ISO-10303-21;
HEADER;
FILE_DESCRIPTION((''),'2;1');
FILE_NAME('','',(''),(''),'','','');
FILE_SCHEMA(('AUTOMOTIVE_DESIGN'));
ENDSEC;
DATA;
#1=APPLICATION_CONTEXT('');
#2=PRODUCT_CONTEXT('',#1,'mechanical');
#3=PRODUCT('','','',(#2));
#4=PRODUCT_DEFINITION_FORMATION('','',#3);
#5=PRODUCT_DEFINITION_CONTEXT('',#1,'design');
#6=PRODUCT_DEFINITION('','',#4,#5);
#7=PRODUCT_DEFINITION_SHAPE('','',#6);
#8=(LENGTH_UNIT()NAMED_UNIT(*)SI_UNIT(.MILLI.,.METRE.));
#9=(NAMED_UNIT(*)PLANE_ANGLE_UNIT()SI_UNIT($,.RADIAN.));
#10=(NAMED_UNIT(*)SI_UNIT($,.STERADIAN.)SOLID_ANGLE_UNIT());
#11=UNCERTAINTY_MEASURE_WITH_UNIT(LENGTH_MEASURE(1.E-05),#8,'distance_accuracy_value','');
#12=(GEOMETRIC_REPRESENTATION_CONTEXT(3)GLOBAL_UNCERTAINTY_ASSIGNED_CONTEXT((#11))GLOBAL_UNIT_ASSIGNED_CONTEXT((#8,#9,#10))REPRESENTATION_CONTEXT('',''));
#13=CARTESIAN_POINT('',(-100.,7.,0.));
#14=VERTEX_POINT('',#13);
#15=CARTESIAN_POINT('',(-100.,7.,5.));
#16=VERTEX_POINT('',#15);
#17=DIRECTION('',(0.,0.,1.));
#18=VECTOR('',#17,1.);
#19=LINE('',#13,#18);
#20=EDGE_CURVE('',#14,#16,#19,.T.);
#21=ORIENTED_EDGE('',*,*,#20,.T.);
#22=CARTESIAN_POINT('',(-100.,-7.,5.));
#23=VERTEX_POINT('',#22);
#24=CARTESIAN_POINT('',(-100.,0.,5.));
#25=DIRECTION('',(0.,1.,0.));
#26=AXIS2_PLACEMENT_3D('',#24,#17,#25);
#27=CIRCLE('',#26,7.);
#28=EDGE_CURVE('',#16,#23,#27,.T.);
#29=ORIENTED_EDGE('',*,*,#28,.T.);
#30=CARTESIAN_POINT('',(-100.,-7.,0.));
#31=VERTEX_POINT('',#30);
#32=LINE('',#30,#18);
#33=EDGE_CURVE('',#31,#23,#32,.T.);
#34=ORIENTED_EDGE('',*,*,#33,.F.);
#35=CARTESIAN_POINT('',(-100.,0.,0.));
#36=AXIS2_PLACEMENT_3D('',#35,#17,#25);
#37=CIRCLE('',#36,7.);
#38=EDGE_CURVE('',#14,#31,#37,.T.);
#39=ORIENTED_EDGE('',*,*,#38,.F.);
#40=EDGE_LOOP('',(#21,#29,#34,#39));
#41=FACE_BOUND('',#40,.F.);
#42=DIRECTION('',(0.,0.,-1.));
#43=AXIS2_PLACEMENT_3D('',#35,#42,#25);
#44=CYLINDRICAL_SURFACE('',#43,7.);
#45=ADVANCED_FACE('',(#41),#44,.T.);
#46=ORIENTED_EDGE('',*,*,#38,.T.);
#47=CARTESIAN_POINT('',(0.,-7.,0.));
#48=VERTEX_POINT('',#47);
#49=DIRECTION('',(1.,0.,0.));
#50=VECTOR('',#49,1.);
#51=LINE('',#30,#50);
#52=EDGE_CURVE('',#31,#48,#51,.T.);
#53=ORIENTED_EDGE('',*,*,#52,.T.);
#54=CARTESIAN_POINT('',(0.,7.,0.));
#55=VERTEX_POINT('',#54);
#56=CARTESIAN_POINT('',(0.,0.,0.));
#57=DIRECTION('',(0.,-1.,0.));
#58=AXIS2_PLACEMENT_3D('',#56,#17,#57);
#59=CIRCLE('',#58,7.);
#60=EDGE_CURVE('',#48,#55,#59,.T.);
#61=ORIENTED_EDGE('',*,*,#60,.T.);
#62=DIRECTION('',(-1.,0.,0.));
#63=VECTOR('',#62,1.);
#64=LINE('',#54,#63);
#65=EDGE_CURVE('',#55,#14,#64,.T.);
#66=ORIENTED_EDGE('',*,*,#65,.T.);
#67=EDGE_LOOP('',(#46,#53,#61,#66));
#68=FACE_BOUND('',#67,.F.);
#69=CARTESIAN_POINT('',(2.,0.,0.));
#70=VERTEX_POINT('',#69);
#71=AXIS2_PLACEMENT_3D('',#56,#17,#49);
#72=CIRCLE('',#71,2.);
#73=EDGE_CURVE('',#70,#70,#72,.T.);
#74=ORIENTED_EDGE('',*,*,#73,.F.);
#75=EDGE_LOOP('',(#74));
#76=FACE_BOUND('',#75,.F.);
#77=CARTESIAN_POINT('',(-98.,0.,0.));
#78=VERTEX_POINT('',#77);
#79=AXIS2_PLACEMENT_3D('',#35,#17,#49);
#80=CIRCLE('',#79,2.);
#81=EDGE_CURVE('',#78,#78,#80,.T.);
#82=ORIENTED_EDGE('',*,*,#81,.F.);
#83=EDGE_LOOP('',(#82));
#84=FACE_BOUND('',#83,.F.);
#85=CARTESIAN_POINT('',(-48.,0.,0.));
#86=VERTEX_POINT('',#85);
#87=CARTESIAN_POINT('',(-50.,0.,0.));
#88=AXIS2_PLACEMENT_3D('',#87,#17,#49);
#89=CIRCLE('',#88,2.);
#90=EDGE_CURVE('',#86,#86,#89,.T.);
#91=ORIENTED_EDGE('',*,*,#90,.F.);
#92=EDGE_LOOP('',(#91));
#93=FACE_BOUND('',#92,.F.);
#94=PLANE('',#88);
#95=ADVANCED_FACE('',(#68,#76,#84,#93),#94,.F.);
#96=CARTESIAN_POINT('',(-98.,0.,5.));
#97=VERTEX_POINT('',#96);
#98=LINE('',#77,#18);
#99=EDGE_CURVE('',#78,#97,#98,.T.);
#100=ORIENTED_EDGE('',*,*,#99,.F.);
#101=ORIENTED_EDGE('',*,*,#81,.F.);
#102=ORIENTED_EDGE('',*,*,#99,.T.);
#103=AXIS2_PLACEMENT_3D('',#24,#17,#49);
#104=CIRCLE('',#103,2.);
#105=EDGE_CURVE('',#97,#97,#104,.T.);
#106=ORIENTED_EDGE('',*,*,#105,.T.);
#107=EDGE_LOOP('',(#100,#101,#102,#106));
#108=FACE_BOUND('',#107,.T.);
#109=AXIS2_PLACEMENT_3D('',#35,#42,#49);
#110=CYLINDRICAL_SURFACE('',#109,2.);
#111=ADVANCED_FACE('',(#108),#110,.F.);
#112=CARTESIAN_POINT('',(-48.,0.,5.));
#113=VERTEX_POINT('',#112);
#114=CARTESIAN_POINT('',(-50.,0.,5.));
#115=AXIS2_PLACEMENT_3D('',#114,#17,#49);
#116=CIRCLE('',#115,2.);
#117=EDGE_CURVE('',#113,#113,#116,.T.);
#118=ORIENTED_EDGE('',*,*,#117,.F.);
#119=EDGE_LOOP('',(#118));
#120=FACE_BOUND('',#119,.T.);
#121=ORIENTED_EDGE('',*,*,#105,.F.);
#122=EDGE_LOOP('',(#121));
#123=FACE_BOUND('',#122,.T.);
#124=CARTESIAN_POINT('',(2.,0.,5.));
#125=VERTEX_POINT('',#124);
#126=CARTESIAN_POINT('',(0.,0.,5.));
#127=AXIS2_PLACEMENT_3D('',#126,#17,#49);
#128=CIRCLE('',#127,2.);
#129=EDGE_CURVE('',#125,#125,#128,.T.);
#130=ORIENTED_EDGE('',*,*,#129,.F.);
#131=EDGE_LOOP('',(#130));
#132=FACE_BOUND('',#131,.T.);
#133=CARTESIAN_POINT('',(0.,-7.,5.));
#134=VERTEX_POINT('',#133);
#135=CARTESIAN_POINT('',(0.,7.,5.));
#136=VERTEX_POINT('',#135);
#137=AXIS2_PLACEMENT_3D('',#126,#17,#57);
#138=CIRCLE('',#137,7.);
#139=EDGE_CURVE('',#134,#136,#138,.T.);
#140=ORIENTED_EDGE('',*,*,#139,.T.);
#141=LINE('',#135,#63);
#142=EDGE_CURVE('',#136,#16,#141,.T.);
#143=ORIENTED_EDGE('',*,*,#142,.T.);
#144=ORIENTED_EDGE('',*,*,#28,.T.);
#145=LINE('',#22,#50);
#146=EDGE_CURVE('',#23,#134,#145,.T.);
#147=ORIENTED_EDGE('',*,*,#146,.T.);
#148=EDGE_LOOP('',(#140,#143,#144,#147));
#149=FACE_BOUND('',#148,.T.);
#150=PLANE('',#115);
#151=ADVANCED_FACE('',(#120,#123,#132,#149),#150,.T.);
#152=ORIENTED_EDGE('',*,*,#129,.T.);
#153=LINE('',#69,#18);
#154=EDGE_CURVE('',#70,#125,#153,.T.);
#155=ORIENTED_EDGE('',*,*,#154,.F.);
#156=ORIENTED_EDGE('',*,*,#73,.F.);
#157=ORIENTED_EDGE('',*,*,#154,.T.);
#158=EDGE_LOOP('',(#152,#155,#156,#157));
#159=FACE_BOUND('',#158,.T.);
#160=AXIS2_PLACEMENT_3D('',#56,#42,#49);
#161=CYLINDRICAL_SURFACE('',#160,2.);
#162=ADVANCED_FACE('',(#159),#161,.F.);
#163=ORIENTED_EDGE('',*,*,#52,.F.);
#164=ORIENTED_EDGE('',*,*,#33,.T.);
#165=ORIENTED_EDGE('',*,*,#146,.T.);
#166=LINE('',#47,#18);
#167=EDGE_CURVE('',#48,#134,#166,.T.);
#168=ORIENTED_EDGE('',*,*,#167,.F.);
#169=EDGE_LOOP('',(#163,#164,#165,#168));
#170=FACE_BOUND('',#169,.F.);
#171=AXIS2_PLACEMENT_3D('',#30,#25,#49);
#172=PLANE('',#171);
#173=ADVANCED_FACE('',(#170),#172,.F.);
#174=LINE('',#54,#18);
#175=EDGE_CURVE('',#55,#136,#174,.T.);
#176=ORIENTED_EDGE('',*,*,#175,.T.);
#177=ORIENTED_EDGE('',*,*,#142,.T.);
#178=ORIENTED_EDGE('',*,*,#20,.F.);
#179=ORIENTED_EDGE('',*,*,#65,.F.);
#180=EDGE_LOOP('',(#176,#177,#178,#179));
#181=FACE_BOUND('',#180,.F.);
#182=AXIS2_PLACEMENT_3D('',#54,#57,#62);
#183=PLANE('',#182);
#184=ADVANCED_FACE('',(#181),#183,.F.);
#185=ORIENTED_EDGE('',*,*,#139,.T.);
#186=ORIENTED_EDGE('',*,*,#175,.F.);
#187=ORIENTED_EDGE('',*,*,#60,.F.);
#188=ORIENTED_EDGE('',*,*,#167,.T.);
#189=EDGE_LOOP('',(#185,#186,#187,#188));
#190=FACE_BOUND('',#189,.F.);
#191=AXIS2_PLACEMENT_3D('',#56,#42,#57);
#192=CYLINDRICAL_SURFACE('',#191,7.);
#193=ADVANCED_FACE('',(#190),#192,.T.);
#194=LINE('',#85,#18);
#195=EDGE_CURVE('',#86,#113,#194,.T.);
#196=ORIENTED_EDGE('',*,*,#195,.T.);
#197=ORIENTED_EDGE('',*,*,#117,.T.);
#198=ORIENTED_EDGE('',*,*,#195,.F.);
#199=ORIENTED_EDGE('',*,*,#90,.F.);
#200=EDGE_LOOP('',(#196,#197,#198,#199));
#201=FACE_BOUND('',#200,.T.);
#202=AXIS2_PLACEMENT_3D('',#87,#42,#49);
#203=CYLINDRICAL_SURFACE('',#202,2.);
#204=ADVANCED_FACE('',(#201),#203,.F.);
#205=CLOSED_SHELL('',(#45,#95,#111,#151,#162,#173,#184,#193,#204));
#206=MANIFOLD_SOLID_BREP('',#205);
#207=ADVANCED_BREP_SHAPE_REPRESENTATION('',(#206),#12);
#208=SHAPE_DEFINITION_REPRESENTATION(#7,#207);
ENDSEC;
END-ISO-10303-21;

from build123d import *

# Parameters (mm, degrees)
F0_R     = 2
F1_DEPTH = 5


with BuildPart() as f1:
    # F0 (on Top) → F1 (new body)
    with BuildSketch(Plane.XY):
        with BuildLine():
            ThreePointArc((0, -7), (7, 0), (0, 7))
            Line((0, 7), (-100, 7))
            ThreePointArc((-100, 7), (-107, 0), (-100, -7))
            Line((-100, -7), (0, -7))
        make_face()
        with Locations((-100, 0)):
            Circle(F0_R, mode=Mode.SUBTRACT)
        with Locations((-50, 0)):
            Circle(F0_R, mode=Mode.SUBTRACT)
        Circle(F0_R, mode=Mode.SUBTRACT)
    extrude(amount=F1_DEPTH)


solid = f1.part
